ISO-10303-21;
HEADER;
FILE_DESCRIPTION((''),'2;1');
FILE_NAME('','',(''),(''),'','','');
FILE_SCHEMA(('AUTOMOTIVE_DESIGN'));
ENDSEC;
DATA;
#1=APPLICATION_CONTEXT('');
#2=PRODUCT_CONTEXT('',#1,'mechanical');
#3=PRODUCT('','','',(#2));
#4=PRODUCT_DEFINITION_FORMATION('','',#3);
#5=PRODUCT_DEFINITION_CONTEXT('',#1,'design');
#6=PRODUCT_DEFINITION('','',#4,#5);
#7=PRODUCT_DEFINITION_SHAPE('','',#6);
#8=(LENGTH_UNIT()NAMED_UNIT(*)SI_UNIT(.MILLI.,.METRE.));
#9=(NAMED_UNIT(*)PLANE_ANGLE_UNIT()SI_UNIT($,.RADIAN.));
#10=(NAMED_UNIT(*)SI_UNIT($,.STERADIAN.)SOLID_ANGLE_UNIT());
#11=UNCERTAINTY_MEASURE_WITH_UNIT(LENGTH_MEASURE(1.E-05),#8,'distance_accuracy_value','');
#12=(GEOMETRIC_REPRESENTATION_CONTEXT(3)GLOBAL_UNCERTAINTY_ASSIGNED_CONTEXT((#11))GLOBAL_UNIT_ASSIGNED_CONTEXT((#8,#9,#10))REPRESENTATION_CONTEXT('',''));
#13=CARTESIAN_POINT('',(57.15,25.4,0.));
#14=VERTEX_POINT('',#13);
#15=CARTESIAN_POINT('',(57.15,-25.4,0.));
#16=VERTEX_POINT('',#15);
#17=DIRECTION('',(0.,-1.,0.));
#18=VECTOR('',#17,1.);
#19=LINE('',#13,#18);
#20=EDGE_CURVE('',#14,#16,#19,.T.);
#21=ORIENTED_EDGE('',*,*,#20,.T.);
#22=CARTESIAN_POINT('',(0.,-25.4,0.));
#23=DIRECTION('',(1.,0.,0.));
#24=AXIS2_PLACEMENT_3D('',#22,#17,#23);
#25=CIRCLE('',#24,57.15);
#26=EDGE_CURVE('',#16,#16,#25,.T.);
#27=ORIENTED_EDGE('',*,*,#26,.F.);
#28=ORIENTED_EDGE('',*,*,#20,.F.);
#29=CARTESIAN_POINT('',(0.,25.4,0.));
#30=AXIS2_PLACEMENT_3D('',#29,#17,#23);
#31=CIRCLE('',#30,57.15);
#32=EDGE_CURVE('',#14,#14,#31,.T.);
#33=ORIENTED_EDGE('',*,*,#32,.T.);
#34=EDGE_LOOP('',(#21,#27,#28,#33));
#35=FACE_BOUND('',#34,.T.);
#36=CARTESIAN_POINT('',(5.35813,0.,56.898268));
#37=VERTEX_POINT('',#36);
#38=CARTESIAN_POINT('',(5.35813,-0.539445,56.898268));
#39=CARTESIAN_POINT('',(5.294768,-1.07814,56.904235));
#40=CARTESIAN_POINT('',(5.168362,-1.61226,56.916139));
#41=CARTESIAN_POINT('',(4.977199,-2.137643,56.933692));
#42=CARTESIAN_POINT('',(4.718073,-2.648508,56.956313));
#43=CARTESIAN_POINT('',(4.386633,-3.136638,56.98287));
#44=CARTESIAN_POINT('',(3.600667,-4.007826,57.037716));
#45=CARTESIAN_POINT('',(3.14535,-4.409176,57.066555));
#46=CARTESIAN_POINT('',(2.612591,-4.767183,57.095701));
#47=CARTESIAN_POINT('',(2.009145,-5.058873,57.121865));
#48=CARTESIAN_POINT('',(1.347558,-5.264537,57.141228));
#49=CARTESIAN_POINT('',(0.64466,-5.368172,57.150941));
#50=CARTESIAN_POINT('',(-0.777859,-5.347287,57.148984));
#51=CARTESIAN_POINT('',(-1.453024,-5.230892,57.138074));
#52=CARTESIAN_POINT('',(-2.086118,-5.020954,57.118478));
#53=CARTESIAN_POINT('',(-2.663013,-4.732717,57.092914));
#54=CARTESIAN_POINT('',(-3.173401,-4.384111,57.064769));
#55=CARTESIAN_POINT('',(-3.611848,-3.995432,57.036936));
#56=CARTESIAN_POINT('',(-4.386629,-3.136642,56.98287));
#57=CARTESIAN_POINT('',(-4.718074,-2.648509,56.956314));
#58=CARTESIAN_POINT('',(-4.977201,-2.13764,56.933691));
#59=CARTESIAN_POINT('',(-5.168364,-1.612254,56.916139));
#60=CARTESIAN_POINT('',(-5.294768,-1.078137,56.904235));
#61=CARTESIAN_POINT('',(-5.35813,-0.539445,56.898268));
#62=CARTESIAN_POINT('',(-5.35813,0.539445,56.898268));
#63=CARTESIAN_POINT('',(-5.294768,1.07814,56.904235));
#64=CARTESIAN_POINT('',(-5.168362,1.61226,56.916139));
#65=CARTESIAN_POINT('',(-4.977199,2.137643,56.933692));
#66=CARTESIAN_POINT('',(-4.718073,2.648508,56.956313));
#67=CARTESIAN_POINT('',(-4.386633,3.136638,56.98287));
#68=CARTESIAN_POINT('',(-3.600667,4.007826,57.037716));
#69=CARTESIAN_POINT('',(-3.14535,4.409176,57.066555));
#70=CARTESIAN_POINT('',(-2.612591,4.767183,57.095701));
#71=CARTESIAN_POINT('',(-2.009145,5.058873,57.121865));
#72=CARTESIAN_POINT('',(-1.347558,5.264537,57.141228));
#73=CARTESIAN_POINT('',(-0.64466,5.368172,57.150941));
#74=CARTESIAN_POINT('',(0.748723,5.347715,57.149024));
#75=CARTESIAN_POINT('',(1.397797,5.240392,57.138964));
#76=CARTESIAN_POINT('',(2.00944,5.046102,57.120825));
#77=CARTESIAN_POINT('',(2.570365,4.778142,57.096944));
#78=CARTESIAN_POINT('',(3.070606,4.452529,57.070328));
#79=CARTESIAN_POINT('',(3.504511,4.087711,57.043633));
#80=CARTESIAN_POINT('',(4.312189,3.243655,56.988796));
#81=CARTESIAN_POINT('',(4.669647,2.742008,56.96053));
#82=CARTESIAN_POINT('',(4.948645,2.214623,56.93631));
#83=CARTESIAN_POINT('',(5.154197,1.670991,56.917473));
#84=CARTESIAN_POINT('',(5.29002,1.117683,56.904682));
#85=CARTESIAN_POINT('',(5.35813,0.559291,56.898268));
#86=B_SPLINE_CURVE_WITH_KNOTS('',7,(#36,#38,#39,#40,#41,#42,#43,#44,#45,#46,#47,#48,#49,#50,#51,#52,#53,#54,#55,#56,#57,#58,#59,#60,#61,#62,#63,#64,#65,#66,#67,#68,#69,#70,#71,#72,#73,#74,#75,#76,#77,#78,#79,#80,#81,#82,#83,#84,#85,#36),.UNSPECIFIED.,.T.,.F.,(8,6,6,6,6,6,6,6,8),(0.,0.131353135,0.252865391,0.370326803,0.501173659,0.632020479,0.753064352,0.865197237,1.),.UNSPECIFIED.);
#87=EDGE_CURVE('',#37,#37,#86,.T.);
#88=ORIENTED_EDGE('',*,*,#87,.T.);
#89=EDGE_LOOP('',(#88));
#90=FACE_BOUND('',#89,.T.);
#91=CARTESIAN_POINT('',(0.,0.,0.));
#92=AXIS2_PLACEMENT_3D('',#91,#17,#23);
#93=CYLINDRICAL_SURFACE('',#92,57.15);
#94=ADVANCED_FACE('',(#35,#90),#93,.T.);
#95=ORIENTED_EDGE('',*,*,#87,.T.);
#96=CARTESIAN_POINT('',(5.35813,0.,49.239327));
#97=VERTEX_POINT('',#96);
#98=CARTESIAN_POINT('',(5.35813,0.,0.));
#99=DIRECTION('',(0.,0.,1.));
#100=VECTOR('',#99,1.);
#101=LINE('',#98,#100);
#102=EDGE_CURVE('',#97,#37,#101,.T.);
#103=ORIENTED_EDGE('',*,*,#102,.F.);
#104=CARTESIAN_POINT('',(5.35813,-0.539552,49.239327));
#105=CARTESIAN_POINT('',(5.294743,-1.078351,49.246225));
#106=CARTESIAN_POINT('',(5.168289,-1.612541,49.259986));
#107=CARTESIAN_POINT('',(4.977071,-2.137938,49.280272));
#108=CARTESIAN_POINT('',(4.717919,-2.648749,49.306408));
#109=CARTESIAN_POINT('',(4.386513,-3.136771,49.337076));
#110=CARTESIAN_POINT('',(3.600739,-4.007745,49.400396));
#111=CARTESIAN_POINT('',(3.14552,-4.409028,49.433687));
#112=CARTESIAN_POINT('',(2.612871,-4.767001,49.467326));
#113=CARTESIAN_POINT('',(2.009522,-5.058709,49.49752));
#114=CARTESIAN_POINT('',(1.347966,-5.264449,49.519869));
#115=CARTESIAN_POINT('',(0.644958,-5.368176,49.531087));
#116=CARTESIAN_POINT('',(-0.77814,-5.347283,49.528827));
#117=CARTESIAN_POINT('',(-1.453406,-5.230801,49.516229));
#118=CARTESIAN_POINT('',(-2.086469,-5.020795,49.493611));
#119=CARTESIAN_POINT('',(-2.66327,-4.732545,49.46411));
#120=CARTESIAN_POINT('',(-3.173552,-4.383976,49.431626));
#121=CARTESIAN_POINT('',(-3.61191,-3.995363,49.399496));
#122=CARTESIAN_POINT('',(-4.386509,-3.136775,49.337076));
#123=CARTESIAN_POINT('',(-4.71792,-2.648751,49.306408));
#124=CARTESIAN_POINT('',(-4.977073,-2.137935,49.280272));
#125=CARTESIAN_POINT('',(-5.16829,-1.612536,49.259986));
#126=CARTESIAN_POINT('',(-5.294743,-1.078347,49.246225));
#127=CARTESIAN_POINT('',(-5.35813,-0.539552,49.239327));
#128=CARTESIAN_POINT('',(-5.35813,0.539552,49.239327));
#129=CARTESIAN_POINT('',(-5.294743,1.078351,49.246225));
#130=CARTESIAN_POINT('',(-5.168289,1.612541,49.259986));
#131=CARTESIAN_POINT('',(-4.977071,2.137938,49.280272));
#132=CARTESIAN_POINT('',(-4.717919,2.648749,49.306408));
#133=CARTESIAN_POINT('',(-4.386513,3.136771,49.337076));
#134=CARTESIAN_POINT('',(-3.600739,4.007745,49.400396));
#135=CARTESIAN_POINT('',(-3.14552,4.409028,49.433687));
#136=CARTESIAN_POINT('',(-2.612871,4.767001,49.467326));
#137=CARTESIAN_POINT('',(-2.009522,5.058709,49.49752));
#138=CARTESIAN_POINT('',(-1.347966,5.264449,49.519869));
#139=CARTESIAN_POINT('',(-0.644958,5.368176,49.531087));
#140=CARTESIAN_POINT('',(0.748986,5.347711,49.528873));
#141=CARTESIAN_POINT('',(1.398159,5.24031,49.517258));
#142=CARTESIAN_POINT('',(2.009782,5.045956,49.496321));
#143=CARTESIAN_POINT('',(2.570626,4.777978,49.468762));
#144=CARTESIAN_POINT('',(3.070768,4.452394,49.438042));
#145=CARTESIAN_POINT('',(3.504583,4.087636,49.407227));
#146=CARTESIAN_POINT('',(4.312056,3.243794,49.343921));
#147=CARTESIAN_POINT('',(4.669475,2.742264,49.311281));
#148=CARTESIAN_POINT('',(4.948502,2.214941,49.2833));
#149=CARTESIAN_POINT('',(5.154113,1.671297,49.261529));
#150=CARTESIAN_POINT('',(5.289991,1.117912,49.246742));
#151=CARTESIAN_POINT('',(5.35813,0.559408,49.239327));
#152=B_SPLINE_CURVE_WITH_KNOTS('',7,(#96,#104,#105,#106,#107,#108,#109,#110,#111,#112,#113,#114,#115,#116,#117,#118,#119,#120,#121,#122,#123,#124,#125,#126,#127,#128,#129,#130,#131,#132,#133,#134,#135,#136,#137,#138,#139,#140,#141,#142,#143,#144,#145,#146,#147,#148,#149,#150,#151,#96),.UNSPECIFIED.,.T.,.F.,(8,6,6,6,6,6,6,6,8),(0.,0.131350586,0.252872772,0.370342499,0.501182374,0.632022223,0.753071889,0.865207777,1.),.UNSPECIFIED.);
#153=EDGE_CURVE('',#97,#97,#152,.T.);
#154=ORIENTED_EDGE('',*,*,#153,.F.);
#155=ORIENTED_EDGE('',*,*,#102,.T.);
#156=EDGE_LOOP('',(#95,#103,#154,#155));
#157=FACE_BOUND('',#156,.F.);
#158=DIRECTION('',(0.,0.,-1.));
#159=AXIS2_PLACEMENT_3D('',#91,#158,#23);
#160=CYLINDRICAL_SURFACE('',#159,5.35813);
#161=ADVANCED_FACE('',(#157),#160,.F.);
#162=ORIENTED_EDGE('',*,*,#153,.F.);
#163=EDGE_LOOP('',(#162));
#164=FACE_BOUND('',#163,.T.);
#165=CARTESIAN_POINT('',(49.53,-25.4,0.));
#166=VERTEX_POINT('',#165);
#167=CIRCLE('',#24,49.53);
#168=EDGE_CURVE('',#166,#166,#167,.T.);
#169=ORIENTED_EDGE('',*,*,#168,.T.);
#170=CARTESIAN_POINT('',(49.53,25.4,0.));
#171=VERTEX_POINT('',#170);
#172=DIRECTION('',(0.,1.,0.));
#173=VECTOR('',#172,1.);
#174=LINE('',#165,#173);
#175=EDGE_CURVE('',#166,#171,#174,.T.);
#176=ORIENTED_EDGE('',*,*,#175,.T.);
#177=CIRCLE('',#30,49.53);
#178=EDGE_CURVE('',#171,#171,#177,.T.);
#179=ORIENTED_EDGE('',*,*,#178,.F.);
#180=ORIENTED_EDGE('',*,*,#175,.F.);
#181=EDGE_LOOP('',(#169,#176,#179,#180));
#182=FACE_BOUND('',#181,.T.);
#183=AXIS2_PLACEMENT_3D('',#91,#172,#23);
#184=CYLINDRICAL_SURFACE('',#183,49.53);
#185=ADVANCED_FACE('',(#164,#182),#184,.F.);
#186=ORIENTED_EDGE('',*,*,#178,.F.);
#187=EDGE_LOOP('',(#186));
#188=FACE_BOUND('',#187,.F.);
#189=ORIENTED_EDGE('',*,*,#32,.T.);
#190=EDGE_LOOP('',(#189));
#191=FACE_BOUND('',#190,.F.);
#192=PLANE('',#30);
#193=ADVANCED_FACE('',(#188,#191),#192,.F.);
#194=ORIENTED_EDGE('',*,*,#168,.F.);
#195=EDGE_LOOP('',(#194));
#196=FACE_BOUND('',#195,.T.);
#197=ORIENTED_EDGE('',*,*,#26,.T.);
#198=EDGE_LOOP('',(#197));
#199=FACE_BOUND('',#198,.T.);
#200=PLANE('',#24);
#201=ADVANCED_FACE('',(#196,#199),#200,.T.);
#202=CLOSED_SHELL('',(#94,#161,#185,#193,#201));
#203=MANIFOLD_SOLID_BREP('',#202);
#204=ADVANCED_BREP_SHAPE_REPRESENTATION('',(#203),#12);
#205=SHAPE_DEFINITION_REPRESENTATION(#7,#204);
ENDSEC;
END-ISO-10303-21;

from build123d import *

# Parameters (mm, degrees)
F0_R     = 57.15
F0_R_2   = 49.53
F1_DEPTH = 25.4
F3_D     = 10.71626
F3_DEPTH = 57.151


with BuildPart() as f1:
    # F0 (on Front) → F1 (new body, symmetric)
    with BuildSketch(Plane.XZ):
        Circle(F0_R)
        Circle(F0_R_2, mode=Mode.SUBTRACT)
    extrude(amount=F1_DEPTH, both=True)

    # F3 (through all, one way)
    with BuildSketch(Plane(origin=(0, 0, 0), x_dir=(1, 0, 0), z_dir=(0, 0, -1))):
        with Locations((0, 0)):
            Circle(F3_D / 2)
    extrude(amount=-F3_DEPTH, mode=Mode.SUBTRACT)


solid = f1.part
